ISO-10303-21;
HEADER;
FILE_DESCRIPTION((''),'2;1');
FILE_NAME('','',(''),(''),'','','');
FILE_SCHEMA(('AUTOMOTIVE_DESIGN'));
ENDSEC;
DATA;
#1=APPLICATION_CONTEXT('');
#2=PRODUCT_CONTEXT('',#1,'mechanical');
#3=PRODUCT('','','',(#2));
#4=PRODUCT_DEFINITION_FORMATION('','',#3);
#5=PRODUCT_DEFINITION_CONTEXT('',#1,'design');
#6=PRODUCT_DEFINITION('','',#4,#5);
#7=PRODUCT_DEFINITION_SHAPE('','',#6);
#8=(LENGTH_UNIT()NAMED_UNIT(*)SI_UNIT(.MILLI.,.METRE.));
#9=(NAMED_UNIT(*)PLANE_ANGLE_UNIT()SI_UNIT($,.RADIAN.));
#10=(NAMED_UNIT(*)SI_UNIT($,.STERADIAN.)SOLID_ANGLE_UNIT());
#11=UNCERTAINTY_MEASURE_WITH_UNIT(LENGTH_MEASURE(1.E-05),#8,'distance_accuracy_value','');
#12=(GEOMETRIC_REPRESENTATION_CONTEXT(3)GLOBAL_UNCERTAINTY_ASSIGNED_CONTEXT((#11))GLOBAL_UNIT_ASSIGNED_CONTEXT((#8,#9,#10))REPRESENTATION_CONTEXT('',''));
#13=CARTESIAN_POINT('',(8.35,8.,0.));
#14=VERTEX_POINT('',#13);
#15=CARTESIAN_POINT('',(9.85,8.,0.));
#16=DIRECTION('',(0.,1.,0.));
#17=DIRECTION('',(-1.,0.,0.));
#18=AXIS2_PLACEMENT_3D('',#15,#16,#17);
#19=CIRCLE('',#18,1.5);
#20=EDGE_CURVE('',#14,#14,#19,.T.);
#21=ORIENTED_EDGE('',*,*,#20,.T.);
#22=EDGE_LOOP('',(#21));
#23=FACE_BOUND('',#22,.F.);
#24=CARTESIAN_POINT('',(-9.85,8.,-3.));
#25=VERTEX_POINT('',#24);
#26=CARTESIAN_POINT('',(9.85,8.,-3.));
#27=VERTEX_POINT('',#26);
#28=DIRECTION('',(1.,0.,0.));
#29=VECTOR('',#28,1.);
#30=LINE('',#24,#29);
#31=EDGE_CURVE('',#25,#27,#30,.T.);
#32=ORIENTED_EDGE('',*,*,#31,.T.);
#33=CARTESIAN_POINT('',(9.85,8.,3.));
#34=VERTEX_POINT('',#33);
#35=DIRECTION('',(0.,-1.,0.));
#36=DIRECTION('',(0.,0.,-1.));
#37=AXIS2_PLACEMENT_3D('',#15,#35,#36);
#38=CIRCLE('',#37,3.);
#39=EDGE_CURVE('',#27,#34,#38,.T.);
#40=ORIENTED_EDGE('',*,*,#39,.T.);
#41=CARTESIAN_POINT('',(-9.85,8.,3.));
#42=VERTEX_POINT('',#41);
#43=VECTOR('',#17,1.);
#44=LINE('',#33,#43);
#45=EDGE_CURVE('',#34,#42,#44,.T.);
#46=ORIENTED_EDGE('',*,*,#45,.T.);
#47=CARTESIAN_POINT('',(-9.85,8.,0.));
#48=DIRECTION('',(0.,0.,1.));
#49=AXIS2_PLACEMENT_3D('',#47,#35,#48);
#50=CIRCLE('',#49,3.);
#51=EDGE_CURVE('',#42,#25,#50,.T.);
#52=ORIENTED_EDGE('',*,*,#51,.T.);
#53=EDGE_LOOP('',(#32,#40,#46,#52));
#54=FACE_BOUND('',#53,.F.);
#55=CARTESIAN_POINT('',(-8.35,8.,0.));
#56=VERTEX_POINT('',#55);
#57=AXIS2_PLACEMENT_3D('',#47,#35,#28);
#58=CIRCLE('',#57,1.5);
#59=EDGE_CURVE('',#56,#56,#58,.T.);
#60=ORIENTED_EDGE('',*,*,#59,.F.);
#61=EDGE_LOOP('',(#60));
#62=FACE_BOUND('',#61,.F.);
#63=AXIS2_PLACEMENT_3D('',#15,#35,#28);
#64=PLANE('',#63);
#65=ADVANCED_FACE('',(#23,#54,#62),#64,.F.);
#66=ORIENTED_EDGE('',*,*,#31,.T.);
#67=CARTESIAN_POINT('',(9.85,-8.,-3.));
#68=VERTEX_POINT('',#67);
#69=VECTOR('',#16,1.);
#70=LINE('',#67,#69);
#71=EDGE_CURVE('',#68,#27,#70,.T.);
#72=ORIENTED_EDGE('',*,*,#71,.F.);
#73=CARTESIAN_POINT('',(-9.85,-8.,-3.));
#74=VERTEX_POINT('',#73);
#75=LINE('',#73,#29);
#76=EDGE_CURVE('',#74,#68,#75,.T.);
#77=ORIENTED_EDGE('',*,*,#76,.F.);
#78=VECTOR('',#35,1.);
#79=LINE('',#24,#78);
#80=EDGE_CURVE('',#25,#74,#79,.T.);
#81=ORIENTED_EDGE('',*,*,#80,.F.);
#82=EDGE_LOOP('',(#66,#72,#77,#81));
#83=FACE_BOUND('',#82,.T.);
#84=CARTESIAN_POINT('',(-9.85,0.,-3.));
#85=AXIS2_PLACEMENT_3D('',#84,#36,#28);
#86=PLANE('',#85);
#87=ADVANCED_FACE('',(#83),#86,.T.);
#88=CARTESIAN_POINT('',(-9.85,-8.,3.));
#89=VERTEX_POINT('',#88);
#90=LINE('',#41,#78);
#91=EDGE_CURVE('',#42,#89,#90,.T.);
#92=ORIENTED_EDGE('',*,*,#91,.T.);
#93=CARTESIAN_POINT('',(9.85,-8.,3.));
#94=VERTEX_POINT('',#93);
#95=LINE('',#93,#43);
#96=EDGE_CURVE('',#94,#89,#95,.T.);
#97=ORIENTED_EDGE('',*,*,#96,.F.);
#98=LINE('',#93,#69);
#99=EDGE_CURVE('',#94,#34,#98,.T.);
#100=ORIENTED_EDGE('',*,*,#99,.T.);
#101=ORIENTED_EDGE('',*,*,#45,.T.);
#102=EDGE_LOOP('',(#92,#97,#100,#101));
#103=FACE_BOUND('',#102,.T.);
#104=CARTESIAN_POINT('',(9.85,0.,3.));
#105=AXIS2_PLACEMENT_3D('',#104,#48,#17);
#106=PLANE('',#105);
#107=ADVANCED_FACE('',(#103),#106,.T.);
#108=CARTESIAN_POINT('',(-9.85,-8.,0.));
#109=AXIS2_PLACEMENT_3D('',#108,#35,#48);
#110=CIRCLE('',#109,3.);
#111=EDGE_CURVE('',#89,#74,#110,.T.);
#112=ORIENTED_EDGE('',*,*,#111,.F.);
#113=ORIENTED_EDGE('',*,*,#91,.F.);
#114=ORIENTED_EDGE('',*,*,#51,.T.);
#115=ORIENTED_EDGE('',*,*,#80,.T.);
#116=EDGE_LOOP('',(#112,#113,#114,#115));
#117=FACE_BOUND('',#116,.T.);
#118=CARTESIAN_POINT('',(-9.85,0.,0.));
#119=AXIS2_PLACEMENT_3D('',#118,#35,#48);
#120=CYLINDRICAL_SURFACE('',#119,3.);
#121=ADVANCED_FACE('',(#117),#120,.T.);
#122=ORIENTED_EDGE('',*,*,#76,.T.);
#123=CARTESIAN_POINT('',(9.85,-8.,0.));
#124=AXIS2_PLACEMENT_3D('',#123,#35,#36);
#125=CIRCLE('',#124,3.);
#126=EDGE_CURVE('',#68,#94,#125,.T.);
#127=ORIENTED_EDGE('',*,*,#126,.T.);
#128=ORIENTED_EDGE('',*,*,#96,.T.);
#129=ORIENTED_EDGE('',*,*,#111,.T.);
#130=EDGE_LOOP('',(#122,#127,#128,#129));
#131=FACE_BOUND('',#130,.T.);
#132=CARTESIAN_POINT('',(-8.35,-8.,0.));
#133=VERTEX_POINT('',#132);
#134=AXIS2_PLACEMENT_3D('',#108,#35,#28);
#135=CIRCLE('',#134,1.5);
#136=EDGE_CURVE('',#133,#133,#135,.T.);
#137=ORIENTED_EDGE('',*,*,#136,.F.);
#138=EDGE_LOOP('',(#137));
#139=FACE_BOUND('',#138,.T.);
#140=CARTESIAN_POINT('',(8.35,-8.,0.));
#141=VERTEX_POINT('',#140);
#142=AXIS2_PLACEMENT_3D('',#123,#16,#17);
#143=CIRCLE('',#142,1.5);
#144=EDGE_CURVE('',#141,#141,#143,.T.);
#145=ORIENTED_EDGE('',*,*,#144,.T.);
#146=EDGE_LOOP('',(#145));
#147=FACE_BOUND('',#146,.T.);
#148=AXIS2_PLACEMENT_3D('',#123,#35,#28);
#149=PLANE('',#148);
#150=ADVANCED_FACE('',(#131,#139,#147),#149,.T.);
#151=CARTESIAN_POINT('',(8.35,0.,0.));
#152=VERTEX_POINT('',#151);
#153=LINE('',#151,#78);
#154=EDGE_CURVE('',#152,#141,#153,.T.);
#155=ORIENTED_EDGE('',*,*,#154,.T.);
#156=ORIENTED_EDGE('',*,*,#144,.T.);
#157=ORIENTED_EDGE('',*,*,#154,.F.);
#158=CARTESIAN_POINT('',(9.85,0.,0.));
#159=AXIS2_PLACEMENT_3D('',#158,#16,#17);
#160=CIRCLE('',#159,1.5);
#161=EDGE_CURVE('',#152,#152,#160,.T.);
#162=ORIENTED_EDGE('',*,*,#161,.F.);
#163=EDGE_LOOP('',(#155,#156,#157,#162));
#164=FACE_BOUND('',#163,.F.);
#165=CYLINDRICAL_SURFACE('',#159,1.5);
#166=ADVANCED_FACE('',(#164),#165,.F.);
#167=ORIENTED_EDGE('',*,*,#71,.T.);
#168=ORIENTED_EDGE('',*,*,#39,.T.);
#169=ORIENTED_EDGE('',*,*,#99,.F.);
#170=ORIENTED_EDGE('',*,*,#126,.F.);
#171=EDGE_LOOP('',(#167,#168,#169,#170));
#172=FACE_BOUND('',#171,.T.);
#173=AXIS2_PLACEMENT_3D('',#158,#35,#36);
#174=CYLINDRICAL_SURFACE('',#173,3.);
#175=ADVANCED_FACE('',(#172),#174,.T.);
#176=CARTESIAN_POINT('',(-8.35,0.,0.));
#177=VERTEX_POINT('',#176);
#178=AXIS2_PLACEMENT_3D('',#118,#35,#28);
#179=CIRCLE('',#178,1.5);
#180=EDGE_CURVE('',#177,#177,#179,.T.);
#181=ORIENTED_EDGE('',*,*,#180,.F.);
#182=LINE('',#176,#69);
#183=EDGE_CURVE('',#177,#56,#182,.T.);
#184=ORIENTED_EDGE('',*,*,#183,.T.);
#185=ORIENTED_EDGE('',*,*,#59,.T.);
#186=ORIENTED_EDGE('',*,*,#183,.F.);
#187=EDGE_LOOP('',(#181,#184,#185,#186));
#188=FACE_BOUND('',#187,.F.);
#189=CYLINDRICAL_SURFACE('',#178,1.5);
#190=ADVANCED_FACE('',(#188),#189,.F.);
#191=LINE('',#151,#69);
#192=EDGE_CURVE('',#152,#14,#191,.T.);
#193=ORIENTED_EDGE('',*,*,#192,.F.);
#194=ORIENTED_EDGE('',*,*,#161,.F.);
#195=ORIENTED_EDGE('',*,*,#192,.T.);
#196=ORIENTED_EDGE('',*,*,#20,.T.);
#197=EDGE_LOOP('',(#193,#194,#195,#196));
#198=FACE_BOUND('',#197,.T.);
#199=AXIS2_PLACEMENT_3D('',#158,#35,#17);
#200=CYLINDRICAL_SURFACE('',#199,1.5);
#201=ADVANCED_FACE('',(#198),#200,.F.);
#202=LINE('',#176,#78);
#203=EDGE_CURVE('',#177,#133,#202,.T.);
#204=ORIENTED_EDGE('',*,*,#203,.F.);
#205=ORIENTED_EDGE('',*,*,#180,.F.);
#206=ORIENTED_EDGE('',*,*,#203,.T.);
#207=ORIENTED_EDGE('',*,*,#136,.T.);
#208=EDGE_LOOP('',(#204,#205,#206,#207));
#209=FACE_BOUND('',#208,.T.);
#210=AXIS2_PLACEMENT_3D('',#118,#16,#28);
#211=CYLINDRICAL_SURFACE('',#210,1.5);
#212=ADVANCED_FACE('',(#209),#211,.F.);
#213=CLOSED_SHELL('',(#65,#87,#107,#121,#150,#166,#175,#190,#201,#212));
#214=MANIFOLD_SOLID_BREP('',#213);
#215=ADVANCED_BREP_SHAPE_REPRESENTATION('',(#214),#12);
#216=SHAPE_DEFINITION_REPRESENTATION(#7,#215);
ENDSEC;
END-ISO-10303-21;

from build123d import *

# Parameters (mm, degrees)
F0_R     = 1.5
F1_DEPTH = 8


with BuildPart() as f1:
    # F0 (on Front) → F1 (new body, symmetric)
    with BuildSketch(Plane.XZ):
        with BuildLine():
            ThreePointArc((11.35, 0), (9.85, 1.5), (8.35, 0))
            ThreePointArc((8.35, 0), (9.85, -1.5), (11.35, 0))
        make_face()
        with Locations((-9.85, 0)):
            Circle(F0_R)
        with BuildLine():
            Line((9.85, 3), (-9.85, 3))
            ThreePointArc((-9.85, 3), (-12.85, 0), (-9.85, -3))
            Line((-9.85, -3), (9.85, -3))
            ThreePointArc((9.85, -3), (12.85, 0), (9.85, 3))
        make_face()
        with Locations((-9.85, 0)):
            Circle(F0_R, mode=Mode.SUBTRACT)
        with BuildLine():
            ThreePointArc((11.35, 0), (9.85, -1.5), (8.35, 0))
            ThreePointArc((8.35, 0), (9.85, 1.5), (11.35, 0))
        make_face(mode=Mode.SUBTRACT)
    extrude(amount=F1_DEPTH, both=True)


solid = f1.part
